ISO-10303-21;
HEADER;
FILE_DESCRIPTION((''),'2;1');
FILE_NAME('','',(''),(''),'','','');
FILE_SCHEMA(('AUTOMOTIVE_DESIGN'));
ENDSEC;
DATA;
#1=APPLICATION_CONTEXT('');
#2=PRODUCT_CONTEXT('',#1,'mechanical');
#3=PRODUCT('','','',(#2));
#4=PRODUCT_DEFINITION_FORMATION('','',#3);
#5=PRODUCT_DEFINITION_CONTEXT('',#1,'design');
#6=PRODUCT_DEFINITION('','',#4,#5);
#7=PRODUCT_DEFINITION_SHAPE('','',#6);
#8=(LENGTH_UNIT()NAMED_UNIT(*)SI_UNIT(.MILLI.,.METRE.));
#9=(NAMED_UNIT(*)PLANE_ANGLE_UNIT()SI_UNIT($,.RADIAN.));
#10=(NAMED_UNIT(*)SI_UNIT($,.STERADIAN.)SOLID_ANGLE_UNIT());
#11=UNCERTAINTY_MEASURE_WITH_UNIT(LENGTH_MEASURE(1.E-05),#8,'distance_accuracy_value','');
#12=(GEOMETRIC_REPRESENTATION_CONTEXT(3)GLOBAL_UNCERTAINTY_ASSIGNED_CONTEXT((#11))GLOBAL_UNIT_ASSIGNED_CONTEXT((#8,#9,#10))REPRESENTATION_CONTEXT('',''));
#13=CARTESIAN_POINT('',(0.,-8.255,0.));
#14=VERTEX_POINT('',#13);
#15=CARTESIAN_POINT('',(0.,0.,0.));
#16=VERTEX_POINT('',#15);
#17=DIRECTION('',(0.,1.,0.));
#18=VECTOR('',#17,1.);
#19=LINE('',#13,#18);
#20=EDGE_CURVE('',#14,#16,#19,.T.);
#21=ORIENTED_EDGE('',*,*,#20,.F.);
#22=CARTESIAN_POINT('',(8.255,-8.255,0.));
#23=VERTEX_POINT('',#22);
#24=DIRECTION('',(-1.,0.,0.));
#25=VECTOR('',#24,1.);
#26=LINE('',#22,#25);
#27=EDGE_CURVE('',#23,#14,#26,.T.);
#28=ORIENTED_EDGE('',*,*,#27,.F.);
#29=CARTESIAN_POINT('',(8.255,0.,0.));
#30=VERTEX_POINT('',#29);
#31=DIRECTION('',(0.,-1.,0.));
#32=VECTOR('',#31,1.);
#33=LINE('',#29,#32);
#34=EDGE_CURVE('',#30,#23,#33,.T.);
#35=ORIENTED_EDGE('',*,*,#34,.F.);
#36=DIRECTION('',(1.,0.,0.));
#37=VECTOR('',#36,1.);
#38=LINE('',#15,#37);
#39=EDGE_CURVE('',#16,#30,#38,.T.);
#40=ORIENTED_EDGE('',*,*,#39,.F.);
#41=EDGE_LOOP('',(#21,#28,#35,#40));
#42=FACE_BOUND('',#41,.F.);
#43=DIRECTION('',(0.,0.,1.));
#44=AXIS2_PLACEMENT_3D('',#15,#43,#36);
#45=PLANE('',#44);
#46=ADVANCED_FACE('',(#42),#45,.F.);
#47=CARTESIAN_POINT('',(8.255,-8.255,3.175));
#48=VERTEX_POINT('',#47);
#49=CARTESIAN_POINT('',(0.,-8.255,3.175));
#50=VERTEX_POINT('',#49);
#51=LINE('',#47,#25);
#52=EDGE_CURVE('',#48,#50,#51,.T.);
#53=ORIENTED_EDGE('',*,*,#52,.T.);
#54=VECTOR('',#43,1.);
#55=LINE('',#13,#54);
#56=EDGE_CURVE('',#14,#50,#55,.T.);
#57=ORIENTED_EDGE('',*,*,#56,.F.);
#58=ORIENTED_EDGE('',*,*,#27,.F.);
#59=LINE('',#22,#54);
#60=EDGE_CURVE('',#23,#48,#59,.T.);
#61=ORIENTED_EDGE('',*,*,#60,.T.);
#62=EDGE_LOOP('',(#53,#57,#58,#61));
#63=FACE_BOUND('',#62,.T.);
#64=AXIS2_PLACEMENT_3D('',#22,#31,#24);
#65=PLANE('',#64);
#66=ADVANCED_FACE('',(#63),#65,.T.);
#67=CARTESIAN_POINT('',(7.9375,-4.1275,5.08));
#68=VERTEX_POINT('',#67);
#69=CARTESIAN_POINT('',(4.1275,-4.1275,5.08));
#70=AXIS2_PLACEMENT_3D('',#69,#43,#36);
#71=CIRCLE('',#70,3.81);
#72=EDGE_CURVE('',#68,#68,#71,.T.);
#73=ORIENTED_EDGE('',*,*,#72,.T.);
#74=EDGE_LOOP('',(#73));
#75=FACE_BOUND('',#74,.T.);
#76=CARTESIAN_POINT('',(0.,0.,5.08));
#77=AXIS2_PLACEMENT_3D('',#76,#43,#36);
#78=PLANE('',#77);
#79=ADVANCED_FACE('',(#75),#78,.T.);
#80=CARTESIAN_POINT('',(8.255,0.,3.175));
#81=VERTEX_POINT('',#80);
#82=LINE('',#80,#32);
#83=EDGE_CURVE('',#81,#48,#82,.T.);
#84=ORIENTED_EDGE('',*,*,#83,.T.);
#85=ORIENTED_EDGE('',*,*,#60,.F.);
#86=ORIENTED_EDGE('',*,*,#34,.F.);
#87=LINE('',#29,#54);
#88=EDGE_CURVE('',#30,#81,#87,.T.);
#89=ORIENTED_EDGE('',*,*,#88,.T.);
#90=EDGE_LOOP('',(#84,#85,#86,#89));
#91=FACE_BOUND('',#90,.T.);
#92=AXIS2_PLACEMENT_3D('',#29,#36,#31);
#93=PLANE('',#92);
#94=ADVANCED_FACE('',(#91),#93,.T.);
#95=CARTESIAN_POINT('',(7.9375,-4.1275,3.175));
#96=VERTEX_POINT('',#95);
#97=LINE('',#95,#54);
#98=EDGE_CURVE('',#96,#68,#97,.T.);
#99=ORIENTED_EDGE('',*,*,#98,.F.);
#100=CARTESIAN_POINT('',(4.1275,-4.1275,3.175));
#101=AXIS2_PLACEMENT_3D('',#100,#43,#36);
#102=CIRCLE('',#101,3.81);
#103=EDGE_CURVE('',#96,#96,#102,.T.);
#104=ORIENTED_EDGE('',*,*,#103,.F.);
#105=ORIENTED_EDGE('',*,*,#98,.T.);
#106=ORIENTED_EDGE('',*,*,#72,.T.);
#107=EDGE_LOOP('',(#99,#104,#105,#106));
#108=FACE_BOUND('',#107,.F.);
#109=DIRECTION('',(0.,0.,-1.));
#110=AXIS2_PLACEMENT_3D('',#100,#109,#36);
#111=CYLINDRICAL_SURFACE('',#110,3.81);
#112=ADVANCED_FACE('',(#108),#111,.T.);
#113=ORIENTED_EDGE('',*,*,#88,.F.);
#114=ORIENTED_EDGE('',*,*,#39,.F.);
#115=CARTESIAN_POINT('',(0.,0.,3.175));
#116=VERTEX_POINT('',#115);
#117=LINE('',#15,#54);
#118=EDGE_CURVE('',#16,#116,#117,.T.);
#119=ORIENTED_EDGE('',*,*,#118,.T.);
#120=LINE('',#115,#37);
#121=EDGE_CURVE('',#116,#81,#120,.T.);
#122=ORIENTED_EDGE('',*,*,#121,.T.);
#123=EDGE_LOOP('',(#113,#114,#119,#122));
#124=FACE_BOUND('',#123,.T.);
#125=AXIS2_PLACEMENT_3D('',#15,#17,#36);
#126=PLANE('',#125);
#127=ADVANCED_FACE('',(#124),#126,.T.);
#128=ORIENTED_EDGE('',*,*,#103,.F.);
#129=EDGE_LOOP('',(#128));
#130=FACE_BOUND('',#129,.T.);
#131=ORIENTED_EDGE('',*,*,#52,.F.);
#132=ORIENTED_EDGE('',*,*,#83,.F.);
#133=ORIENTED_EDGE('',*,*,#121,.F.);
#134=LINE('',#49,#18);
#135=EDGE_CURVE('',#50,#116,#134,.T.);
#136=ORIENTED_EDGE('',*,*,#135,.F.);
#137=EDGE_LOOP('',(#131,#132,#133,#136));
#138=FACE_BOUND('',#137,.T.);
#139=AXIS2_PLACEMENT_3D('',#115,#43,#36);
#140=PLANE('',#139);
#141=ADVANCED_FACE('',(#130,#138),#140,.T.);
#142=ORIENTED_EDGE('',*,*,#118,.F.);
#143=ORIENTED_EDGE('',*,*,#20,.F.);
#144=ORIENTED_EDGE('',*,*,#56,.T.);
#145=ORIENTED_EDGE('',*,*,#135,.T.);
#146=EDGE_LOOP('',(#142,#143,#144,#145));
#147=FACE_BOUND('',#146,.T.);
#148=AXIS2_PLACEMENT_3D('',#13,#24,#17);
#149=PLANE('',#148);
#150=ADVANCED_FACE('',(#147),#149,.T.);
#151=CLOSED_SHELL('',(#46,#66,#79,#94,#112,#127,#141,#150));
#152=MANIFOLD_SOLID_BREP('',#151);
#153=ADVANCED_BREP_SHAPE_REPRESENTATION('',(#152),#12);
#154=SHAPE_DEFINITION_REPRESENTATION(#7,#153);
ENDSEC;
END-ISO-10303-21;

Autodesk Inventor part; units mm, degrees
ref_plane "YZ Plane" through (0, 0, 0) normal (1, 0, 0) x (0, 1, 0)
ref_plane "XZ Plane" through (0, 0, 0) normal (0, 1, 0) x (-1, 0, 0)
ref_plane "XY Plane" through (0, 0, 0) normal (0, 0, 1) x (1, 0, 0)
sketch "Sketch1" plane through (0, 0, 0) normal (0, 0, 1) x (1, 0, 0)
  line L0 (0, 0) -> (8.255, 0)
  line L1 (8.255, 0) -> (8.255, -8.255)
  line L2 (8.255, -8.255) -> (0, -8.255)
  line L3 (0, -8.255) -> (0, 0)
  dimension "d0" = 8.255
  dimension "d1" = 8.255
extrude "Extrusion1" add sketch "Sketch1" along normal blind 3.175
sketch "Sketch2" plane through (0, 0, 3.175) normal (0, 0, 1) x (1, 0, 0)
  circle A0 centre (4.1275, -4.1275) radius 3.81
  line L0 (0, 0) -> (0, -8.255) projected
  line L1 (8.255, 0) -> (0, 0) projected
  dimension "d4" = 7.62
  dimension "d5" = 4.1275
  dimension "d6" = 4.1275
extrude "Extrusion2" add sketch "Sketch2" along normal blind 1.905
properties part number "CameraLens" material "ABS Plastic"
